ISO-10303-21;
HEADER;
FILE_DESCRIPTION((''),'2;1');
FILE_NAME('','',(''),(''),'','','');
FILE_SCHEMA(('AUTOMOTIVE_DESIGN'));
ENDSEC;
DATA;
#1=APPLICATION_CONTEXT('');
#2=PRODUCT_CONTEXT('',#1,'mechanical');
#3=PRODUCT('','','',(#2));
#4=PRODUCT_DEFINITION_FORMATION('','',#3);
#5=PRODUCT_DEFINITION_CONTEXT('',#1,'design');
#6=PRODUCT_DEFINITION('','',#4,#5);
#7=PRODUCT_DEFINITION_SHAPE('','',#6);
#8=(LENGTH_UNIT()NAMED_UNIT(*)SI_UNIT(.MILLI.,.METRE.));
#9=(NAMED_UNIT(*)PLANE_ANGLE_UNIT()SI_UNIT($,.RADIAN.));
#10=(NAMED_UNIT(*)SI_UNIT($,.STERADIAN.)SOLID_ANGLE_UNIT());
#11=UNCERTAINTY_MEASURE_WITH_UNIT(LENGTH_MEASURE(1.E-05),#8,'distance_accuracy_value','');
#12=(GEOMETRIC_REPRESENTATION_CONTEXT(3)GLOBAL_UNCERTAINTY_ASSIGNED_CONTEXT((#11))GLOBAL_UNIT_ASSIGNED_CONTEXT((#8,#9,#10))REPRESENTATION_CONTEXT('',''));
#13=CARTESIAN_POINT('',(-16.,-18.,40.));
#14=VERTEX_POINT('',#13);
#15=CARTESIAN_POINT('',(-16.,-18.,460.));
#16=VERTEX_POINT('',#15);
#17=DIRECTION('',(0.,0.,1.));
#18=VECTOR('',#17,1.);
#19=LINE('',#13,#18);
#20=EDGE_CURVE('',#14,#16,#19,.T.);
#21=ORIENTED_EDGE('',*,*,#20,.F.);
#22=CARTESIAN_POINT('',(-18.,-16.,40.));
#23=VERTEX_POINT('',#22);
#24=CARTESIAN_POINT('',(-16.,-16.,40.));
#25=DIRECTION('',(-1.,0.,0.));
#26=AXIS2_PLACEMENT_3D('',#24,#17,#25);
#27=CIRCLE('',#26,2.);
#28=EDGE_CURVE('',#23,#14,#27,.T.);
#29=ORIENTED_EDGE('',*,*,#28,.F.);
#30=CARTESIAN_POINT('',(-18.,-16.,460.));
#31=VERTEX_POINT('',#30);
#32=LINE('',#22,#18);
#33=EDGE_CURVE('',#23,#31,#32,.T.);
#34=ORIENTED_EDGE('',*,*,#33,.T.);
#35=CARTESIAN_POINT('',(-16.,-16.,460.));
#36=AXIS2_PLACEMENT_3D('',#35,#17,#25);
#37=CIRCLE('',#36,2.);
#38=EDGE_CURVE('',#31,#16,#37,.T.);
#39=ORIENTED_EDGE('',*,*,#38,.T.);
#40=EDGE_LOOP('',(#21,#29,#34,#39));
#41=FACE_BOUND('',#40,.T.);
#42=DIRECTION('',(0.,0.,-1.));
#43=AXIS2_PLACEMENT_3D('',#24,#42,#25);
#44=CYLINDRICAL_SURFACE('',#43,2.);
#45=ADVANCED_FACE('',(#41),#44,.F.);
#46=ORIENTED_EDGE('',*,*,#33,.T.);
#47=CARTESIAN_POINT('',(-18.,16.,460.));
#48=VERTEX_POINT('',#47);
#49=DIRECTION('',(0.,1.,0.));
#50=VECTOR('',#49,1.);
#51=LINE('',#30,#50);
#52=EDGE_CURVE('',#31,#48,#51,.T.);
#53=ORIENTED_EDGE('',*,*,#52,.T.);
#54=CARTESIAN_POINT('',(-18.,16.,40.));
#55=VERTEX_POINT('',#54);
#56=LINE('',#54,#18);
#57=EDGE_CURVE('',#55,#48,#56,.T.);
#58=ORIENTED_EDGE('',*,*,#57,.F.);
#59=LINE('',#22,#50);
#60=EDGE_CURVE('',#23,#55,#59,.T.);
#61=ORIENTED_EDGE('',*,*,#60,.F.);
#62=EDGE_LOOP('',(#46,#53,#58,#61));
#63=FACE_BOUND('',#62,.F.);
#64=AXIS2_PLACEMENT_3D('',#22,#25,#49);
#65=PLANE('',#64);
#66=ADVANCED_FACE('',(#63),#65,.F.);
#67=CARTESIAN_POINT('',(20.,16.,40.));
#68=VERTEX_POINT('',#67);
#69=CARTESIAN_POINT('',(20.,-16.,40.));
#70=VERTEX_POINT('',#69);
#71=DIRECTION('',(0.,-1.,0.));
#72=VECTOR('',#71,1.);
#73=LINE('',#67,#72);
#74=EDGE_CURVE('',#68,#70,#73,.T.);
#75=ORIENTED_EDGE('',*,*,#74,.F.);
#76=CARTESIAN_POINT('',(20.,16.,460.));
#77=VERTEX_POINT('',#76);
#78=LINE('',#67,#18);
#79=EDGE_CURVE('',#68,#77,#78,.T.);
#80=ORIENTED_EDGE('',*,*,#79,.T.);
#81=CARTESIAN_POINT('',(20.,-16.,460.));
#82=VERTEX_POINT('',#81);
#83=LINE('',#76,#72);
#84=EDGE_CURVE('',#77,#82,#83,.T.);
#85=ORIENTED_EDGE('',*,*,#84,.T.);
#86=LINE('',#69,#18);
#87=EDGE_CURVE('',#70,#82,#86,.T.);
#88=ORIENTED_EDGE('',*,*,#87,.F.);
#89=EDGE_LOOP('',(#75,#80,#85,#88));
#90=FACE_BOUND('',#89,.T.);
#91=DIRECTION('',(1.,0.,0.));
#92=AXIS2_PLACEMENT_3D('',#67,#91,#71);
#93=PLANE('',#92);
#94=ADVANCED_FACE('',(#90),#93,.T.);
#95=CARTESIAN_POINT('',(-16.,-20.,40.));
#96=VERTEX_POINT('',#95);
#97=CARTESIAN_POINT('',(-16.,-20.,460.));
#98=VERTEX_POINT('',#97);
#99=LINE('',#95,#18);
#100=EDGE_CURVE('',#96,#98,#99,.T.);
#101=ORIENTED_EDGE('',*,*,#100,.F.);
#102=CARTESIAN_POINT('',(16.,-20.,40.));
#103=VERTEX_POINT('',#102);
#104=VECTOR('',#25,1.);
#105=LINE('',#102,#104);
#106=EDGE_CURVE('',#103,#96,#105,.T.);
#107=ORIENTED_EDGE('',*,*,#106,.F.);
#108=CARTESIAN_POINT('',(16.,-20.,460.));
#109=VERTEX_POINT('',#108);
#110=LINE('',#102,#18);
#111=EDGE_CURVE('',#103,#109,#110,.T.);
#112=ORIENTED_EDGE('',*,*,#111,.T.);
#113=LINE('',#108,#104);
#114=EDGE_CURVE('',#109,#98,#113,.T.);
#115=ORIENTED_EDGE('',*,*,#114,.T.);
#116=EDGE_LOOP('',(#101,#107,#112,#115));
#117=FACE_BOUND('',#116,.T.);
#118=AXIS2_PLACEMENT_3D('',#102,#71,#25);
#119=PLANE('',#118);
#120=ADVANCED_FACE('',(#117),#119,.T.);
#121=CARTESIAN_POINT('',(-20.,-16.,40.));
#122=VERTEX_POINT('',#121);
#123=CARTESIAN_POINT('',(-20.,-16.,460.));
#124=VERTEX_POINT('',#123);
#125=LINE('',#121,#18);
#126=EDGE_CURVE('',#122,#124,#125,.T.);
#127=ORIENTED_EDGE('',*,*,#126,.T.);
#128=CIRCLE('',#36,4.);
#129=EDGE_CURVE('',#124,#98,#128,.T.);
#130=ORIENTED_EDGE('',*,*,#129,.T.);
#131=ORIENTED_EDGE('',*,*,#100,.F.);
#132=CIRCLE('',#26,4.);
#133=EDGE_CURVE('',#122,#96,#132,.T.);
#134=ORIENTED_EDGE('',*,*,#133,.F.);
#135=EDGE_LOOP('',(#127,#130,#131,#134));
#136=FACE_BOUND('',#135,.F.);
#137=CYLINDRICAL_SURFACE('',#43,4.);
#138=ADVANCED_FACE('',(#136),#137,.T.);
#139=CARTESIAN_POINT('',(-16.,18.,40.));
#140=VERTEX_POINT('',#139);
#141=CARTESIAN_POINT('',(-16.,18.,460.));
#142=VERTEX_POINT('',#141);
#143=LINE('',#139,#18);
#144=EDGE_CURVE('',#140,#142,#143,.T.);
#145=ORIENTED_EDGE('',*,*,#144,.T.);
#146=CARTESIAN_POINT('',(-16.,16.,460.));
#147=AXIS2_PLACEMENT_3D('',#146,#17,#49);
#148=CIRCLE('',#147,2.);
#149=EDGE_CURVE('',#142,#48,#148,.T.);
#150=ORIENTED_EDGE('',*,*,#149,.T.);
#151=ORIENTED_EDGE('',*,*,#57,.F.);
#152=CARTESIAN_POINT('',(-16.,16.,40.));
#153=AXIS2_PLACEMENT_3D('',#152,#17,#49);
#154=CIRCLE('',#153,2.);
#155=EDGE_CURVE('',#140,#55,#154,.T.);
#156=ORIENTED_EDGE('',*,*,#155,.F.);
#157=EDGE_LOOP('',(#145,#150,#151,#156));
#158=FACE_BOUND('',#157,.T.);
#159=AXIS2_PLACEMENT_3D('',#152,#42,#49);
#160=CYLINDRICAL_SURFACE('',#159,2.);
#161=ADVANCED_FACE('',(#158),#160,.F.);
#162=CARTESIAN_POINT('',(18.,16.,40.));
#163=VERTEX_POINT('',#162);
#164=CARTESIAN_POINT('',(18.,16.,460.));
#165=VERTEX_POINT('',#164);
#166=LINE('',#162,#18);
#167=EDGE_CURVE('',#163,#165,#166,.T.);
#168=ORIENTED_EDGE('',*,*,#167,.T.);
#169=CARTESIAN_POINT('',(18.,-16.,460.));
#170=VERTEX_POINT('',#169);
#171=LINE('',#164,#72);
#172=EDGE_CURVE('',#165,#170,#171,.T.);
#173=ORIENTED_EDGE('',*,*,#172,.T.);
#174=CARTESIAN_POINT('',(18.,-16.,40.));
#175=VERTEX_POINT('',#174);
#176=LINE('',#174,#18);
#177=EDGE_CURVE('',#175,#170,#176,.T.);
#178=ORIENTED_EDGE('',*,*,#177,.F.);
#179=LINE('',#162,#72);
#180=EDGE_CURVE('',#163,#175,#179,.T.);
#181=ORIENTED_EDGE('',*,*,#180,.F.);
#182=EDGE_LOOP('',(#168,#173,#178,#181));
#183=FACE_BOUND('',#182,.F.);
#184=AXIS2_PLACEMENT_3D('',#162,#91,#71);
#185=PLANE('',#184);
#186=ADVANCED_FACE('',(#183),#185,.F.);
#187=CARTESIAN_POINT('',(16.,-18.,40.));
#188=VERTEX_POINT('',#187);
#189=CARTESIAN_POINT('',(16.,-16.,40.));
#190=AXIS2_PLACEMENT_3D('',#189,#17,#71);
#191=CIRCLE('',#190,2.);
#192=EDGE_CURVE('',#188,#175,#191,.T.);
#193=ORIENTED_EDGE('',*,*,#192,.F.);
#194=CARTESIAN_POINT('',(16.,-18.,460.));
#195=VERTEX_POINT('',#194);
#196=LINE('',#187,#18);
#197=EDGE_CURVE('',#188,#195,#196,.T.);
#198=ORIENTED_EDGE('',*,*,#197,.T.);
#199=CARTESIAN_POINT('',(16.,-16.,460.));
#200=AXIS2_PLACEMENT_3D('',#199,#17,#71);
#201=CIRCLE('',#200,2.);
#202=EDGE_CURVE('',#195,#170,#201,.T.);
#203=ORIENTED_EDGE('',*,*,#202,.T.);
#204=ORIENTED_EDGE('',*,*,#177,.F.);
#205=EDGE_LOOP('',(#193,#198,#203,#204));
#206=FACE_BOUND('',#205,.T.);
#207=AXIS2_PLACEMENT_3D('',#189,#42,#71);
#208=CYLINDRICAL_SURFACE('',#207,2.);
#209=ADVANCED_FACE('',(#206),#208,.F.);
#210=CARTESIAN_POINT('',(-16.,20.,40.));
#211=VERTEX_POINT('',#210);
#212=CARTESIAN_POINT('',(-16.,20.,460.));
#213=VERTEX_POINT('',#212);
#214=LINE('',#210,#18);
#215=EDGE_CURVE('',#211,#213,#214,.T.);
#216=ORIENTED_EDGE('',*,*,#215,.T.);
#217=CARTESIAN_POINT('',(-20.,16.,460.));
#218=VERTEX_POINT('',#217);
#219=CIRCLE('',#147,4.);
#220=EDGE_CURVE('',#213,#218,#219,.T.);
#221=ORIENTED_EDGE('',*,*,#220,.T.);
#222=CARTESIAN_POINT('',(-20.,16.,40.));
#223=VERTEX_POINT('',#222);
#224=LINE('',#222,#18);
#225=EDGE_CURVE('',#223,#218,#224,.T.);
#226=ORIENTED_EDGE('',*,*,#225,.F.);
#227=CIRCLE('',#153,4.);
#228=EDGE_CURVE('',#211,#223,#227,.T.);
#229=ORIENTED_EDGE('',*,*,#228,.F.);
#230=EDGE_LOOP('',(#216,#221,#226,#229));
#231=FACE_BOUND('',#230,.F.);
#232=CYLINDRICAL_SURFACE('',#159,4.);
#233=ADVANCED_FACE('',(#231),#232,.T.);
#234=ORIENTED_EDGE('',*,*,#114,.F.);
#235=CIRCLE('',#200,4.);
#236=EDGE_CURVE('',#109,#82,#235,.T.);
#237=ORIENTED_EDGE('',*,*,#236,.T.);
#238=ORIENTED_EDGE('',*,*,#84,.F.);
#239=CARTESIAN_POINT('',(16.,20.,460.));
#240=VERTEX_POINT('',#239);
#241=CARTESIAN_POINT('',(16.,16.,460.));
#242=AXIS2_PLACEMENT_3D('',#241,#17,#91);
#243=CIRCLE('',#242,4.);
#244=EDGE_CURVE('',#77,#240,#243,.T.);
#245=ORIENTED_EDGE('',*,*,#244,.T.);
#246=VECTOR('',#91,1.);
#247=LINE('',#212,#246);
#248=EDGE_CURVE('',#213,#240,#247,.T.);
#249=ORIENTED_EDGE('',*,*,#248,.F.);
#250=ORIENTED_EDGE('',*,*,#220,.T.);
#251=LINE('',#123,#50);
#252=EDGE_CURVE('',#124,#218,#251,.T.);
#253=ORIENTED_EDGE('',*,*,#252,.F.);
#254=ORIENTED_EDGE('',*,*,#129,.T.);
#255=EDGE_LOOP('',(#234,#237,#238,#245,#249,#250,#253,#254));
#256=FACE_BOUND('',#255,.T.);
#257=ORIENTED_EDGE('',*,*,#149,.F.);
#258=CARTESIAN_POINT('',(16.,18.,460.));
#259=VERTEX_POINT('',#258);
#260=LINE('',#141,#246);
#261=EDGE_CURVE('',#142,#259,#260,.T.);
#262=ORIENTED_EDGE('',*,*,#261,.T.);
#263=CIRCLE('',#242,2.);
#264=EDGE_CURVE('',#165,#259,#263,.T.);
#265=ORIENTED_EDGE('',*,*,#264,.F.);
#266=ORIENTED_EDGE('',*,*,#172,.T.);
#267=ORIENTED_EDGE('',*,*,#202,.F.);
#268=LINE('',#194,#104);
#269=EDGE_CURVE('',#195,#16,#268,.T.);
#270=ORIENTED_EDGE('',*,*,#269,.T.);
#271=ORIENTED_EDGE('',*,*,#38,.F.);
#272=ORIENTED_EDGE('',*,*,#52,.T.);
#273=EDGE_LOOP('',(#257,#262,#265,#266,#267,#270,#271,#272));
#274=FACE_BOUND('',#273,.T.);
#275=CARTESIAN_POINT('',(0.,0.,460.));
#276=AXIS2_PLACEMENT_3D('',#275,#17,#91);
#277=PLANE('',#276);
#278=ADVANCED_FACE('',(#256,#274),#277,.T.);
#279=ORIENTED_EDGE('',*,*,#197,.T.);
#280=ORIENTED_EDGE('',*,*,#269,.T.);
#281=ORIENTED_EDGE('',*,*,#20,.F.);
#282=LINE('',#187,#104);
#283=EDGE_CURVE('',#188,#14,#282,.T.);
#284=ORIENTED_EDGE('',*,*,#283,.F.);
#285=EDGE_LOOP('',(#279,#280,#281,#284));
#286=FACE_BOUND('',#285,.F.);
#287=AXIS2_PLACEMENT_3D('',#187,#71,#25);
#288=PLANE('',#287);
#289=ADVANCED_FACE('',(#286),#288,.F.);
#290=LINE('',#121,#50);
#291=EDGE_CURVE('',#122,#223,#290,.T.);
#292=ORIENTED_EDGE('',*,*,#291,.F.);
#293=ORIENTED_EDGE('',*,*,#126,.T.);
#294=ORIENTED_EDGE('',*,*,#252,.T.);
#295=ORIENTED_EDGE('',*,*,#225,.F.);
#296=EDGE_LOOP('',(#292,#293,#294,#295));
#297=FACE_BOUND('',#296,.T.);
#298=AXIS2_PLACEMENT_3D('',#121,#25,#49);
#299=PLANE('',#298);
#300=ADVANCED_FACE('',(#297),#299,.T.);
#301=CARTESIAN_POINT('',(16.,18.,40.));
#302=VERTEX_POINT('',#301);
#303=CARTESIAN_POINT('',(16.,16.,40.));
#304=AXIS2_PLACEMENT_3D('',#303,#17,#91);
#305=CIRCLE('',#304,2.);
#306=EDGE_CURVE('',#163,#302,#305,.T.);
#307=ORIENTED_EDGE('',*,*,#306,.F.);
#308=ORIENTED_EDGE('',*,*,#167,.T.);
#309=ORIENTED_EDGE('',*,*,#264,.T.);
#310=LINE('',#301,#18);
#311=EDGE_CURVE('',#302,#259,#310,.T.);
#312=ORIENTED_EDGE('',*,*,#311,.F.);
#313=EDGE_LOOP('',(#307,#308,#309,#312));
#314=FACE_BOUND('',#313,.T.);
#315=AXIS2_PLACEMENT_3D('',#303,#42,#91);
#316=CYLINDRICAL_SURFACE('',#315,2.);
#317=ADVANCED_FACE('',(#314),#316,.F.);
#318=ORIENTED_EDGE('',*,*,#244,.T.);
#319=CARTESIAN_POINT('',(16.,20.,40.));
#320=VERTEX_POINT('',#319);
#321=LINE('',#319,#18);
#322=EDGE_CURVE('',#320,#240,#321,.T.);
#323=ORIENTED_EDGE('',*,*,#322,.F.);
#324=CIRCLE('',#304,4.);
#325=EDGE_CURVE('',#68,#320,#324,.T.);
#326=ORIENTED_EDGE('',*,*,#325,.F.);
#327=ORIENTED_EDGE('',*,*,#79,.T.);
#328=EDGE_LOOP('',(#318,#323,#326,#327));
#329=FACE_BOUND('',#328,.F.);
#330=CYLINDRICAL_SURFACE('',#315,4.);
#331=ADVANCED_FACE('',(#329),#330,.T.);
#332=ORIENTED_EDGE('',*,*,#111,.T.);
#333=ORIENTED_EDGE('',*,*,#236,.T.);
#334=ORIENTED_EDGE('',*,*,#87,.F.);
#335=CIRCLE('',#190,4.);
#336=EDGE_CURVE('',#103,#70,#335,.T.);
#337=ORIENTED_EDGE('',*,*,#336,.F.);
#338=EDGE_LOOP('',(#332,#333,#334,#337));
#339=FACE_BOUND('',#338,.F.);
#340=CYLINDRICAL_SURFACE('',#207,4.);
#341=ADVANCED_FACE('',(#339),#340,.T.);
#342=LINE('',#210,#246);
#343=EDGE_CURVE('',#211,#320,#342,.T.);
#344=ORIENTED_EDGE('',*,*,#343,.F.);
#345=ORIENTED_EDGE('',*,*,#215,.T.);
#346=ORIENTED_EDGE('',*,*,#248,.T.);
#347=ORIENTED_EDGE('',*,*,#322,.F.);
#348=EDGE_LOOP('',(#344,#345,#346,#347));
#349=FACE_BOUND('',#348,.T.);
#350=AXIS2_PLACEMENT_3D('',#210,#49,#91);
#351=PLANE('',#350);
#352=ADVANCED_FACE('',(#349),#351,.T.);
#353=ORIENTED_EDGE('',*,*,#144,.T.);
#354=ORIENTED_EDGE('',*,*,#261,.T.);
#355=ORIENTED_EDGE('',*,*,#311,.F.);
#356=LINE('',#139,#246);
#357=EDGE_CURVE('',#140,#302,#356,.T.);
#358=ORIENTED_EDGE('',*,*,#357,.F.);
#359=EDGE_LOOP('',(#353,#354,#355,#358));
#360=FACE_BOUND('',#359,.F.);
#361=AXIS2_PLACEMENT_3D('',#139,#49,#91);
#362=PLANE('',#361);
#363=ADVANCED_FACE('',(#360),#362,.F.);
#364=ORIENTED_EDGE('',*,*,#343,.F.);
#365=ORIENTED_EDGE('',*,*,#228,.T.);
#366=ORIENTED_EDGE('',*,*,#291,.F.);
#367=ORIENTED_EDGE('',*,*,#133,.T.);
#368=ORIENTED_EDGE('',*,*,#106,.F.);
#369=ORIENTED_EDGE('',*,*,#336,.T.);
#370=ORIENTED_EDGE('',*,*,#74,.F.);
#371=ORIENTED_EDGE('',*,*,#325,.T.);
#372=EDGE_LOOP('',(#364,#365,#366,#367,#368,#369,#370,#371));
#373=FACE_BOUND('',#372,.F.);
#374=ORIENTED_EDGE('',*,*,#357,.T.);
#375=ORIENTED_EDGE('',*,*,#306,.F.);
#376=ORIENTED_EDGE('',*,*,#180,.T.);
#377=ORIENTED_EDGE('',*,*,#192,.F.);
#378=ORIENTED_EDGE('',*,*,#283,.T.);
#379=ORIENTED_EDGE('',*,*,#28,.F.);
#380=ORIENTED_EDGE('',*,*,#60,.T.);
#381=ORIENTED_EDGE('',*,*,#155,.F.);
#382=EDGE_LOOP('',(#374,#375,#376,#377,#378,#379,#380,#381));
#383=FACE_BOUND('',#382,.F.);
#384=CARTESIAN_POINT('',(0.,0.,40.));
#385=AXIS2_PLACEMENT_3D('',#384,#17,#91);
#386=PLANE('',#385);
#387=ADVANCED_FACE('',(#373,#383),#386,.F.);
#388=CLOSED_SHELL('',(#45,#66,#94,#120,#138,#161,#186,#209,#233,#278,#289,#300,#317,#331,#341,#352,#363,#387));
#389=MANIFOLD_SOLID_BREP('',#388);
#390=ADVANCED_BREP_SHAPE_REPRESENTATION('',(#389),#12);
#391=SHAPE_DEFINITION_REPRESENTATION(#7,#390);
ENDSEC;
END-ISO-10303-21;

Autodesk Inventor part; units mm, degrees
ref_plane "YZ Plane" through (0, 0, 0) normal (1, 0, 0) x (0, 1, 0)
ref_plane "Start Plane" through (0, 0, 40) normal (0, 0, 1) x (1, 0, 0)
ref_plane "End Plane" through (0, 0, 460) normal (0, 0, 1) x (1, 0, 0)
sketch "Sketch" plane through (0, 0, 0) normal (0, 0, 1) x (1, 0, 0)
  line L0 (-20, -16) -> (-20, 16)
  line L1 (-16, 20) -> (16, 20)
  line L2 (20, 16) -> (20, -16)
  line L3 (16, -20) -> (-16, -20)
  arc A0 (-20, -16) -> (-16, -20) centre (-16, -16) ccw
  arc A1 (20, 16) -> (16, 20) centre (16, 16) ccw
  arc A2 (-16, 20) -> (-20, 16) centre (-16, 16) ccw
  arc A3 (16, -20) -> (20, -16) centre (16, -16) ccw
  arc A4 (-16, 18) -> (-18, 16) centre (-16, 16) ccw
  line L4 (-16, 18) -> (16, 18)
  arc A5 (18, 16) -> (16, 18) centre (16, 16) ccw
  line L5 (18, 16) -> (18, -16)
  arc A6 (16, -18) -> (18, -16) centre (16, -16) ccw
  line L6 (16, -18) -> (-16, -18)
  arc A7 (-18, -16) -> (-16, -18) centre (-16, -16) ccw
  line L7 (-18, -16) -> (-18, 16)
  line L8 (0, 29.1598) -> (0, -29.1598) construction
  line L9 (-29.1598, 0) -> (29.1598, 0) construction
  dimension "d7" = 4
  dimension "d9" = 40
  dimension "d11" = 40
  dimension "d12" = 2
  dimension "d15" = 20
  dimension "d16" = 20
extrude "Body" add sketch "Sketch" along normal up to surface (420 mm away) from surface at 40
sketch "Sketch3" plane through (0, 0, 0) normal (0, 0, 1) x (1, 0, 0)
  line L0 (0, 0) -> (10, 0)
ref_plane "Work Plane3" through (0, 0, 0) normal (0, -1, 0) x (1, 0, 0)
sketch "Sketch4" plane through (0, 0, 0) normal (0, -1, 0) x (1, 0, 0)
  line L0 (-2, 40) -> (12, 40) projected
  line L1 (-2, 460) -> (12, 460) projected
  dimension "d18" = 420
equation "\"d7\" = G_IR"
equation "\"d9\" = G_W"
equation "\"d11\" = G_H"
equation "\"d12\" = G_T"
equation "\"d15\" = 0.5 * d9"
equation "\"d16\" = 0.5 * d11"
equation "\"d3\" = G_L"
equation "\"G_W\" = 40"
equation "\"G_H\" = 40"
equation "\"G_T\" = 2"
equation "\"G_IR\" = 4"
equation "\"G_L\" = d18"
properties part number "ISO 10799-2 40x40x2 1714907750345" material "Stainless Steel"
